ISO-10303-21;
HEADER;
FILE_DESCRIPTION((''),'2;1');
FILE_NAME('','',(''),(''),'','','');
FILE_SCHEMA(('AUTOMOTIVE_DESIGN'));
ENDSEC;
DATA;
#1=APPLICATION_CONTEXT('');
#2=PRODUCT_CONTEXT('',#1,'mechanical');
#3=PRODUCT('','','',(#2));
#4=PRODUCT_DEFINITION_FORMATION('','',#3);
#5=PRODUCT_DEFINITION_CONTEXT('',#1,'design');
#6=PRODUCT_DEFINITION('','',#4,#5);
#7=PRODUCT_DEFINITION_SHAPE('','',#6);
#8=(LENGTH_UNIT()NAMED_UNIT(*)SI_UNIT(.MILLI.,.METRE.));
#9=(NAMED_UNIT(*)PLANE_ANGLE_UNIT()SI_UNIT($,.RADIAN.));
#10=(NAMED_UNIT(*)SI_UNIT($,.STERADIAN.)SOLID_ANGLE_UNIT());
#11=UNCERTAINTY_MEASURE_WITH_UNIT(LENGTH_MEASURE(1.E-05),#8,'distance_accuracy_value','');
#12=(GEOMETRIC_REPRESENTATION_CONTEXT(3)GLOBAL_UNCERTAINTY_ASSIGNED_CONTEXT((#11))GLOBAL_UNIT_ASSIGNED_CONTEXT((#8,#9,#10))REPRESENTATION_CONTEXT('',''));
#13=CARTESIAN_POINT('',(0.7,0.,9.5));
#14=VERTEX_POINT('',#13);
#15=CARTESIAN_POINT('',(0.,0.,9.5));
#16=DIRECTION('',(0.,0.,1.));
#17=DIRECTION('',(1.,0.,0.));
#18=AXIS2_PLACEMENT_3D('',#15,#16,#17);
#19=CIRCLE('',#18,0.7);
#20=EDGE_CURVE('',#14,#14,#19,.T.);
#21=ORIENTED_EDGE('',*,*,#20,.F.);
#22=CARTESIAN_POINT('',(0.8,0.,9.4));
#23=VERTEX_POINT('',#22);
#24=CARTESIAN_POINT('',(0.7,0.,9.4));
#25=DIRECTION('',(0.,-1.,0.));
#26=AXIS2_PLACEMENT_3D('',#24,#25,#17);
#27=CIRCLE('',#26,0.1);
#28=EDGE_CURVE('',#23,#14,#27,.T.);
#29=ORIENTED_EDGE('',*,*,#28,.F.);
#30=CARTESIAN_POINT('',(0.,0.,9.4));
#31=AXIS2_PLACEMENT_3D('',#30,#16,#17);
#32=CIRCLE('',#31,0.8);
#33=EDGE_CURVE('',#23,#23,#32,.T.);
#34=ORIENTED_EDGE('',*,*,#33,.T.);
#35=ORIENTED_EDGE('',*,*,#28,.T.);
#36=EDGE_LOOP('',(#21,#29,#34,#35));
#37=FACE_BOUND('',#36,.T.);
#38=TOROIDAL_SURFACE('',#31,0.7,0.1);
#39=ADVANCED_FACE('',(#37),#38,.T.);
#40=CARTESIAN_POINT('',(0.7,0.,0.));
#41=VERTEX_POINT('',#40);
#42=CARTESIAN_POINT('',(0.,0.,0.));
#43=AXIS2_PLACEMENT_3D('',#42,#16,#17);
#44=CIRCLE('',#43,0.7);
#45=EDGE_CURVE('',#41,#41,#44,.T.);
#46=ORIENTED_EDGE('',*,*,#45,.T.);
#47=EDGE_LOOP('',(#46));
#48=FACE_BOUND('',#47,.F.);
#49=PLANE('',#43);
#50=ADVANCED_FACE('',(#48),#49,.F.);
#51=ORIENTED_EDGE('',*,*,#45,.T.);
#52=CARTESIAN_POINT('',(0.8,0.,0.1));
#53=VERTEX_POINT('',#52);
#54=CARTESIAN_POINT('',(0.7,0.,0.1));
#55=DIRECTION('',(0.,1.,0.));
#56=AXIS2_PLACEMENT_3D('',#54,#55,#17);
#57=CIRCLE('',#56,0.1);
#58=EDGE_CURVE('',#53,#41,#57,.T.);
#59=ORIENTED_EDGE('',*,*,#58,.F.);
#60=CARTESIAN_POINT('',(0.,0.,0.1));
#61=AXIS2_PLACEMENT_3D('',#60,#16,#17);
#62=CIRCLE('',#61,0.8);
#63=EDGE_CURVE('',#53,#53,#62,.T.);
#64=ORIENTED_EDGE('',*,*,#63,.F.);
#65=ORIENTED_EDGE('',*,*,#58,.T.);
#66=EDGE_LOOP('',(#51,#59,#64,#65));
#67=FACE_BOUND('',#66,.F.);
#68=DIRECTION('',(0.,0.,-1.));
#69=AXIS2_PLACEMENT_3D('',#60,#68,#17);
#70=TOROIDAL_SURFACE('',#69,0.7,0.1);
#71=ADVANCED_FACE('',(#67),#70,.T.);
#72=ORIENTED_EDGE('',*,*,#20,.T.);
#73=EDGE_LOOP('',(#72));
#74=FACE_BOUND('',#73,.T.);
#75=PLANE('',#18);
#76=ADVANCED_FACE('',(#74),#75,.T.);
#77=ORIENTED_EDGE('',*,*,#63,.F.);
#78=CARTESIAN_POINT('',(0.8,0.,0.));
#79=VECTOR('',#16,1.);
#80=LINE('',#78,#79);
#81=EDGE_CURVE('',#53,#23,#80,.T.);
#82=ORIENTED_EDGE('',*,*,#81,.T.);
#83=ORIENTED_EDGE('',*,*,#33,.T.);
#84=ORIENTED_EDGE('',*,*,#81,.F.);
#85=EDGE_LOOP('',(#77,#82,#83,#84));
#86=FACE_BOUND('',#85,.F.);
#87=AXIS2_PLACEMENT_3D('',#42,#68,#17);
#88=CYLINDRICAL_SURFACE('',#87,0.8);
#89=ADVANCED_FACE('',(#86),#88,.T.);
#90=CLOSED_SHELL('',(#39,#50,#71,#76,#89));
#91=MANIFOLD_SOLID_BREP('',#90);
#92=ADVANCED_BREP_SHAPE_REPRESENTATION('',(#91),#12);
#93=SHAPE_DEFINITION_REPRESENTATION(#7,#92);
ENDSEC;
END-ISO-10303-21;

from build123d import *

# Parameters (mm, degrees)
SKETCH1_R           = 0.8
BOSS_EXTRUDE2_DEPTH = 9.5
FILLET2_R           = 0.1


with BuildPart() as part:
    # Sketch1 → Boss-Extrude2 (new body)
    with BuildSketch(Plane.XY):
        Circle(SKETCH1_R)
    extrude(amount=BOSS_EXTRUDE2_DEPTH)

    # Fillet2
    fillet2_edges = [part.edges().sort_by_distance(p)[0] for p in [
        (-0.8, 0, 0),
        (-0.8, 0, 9.5),
    ]]
    fillet(fillet2_edges, radius=FILLET2_R)


solid = part.part
